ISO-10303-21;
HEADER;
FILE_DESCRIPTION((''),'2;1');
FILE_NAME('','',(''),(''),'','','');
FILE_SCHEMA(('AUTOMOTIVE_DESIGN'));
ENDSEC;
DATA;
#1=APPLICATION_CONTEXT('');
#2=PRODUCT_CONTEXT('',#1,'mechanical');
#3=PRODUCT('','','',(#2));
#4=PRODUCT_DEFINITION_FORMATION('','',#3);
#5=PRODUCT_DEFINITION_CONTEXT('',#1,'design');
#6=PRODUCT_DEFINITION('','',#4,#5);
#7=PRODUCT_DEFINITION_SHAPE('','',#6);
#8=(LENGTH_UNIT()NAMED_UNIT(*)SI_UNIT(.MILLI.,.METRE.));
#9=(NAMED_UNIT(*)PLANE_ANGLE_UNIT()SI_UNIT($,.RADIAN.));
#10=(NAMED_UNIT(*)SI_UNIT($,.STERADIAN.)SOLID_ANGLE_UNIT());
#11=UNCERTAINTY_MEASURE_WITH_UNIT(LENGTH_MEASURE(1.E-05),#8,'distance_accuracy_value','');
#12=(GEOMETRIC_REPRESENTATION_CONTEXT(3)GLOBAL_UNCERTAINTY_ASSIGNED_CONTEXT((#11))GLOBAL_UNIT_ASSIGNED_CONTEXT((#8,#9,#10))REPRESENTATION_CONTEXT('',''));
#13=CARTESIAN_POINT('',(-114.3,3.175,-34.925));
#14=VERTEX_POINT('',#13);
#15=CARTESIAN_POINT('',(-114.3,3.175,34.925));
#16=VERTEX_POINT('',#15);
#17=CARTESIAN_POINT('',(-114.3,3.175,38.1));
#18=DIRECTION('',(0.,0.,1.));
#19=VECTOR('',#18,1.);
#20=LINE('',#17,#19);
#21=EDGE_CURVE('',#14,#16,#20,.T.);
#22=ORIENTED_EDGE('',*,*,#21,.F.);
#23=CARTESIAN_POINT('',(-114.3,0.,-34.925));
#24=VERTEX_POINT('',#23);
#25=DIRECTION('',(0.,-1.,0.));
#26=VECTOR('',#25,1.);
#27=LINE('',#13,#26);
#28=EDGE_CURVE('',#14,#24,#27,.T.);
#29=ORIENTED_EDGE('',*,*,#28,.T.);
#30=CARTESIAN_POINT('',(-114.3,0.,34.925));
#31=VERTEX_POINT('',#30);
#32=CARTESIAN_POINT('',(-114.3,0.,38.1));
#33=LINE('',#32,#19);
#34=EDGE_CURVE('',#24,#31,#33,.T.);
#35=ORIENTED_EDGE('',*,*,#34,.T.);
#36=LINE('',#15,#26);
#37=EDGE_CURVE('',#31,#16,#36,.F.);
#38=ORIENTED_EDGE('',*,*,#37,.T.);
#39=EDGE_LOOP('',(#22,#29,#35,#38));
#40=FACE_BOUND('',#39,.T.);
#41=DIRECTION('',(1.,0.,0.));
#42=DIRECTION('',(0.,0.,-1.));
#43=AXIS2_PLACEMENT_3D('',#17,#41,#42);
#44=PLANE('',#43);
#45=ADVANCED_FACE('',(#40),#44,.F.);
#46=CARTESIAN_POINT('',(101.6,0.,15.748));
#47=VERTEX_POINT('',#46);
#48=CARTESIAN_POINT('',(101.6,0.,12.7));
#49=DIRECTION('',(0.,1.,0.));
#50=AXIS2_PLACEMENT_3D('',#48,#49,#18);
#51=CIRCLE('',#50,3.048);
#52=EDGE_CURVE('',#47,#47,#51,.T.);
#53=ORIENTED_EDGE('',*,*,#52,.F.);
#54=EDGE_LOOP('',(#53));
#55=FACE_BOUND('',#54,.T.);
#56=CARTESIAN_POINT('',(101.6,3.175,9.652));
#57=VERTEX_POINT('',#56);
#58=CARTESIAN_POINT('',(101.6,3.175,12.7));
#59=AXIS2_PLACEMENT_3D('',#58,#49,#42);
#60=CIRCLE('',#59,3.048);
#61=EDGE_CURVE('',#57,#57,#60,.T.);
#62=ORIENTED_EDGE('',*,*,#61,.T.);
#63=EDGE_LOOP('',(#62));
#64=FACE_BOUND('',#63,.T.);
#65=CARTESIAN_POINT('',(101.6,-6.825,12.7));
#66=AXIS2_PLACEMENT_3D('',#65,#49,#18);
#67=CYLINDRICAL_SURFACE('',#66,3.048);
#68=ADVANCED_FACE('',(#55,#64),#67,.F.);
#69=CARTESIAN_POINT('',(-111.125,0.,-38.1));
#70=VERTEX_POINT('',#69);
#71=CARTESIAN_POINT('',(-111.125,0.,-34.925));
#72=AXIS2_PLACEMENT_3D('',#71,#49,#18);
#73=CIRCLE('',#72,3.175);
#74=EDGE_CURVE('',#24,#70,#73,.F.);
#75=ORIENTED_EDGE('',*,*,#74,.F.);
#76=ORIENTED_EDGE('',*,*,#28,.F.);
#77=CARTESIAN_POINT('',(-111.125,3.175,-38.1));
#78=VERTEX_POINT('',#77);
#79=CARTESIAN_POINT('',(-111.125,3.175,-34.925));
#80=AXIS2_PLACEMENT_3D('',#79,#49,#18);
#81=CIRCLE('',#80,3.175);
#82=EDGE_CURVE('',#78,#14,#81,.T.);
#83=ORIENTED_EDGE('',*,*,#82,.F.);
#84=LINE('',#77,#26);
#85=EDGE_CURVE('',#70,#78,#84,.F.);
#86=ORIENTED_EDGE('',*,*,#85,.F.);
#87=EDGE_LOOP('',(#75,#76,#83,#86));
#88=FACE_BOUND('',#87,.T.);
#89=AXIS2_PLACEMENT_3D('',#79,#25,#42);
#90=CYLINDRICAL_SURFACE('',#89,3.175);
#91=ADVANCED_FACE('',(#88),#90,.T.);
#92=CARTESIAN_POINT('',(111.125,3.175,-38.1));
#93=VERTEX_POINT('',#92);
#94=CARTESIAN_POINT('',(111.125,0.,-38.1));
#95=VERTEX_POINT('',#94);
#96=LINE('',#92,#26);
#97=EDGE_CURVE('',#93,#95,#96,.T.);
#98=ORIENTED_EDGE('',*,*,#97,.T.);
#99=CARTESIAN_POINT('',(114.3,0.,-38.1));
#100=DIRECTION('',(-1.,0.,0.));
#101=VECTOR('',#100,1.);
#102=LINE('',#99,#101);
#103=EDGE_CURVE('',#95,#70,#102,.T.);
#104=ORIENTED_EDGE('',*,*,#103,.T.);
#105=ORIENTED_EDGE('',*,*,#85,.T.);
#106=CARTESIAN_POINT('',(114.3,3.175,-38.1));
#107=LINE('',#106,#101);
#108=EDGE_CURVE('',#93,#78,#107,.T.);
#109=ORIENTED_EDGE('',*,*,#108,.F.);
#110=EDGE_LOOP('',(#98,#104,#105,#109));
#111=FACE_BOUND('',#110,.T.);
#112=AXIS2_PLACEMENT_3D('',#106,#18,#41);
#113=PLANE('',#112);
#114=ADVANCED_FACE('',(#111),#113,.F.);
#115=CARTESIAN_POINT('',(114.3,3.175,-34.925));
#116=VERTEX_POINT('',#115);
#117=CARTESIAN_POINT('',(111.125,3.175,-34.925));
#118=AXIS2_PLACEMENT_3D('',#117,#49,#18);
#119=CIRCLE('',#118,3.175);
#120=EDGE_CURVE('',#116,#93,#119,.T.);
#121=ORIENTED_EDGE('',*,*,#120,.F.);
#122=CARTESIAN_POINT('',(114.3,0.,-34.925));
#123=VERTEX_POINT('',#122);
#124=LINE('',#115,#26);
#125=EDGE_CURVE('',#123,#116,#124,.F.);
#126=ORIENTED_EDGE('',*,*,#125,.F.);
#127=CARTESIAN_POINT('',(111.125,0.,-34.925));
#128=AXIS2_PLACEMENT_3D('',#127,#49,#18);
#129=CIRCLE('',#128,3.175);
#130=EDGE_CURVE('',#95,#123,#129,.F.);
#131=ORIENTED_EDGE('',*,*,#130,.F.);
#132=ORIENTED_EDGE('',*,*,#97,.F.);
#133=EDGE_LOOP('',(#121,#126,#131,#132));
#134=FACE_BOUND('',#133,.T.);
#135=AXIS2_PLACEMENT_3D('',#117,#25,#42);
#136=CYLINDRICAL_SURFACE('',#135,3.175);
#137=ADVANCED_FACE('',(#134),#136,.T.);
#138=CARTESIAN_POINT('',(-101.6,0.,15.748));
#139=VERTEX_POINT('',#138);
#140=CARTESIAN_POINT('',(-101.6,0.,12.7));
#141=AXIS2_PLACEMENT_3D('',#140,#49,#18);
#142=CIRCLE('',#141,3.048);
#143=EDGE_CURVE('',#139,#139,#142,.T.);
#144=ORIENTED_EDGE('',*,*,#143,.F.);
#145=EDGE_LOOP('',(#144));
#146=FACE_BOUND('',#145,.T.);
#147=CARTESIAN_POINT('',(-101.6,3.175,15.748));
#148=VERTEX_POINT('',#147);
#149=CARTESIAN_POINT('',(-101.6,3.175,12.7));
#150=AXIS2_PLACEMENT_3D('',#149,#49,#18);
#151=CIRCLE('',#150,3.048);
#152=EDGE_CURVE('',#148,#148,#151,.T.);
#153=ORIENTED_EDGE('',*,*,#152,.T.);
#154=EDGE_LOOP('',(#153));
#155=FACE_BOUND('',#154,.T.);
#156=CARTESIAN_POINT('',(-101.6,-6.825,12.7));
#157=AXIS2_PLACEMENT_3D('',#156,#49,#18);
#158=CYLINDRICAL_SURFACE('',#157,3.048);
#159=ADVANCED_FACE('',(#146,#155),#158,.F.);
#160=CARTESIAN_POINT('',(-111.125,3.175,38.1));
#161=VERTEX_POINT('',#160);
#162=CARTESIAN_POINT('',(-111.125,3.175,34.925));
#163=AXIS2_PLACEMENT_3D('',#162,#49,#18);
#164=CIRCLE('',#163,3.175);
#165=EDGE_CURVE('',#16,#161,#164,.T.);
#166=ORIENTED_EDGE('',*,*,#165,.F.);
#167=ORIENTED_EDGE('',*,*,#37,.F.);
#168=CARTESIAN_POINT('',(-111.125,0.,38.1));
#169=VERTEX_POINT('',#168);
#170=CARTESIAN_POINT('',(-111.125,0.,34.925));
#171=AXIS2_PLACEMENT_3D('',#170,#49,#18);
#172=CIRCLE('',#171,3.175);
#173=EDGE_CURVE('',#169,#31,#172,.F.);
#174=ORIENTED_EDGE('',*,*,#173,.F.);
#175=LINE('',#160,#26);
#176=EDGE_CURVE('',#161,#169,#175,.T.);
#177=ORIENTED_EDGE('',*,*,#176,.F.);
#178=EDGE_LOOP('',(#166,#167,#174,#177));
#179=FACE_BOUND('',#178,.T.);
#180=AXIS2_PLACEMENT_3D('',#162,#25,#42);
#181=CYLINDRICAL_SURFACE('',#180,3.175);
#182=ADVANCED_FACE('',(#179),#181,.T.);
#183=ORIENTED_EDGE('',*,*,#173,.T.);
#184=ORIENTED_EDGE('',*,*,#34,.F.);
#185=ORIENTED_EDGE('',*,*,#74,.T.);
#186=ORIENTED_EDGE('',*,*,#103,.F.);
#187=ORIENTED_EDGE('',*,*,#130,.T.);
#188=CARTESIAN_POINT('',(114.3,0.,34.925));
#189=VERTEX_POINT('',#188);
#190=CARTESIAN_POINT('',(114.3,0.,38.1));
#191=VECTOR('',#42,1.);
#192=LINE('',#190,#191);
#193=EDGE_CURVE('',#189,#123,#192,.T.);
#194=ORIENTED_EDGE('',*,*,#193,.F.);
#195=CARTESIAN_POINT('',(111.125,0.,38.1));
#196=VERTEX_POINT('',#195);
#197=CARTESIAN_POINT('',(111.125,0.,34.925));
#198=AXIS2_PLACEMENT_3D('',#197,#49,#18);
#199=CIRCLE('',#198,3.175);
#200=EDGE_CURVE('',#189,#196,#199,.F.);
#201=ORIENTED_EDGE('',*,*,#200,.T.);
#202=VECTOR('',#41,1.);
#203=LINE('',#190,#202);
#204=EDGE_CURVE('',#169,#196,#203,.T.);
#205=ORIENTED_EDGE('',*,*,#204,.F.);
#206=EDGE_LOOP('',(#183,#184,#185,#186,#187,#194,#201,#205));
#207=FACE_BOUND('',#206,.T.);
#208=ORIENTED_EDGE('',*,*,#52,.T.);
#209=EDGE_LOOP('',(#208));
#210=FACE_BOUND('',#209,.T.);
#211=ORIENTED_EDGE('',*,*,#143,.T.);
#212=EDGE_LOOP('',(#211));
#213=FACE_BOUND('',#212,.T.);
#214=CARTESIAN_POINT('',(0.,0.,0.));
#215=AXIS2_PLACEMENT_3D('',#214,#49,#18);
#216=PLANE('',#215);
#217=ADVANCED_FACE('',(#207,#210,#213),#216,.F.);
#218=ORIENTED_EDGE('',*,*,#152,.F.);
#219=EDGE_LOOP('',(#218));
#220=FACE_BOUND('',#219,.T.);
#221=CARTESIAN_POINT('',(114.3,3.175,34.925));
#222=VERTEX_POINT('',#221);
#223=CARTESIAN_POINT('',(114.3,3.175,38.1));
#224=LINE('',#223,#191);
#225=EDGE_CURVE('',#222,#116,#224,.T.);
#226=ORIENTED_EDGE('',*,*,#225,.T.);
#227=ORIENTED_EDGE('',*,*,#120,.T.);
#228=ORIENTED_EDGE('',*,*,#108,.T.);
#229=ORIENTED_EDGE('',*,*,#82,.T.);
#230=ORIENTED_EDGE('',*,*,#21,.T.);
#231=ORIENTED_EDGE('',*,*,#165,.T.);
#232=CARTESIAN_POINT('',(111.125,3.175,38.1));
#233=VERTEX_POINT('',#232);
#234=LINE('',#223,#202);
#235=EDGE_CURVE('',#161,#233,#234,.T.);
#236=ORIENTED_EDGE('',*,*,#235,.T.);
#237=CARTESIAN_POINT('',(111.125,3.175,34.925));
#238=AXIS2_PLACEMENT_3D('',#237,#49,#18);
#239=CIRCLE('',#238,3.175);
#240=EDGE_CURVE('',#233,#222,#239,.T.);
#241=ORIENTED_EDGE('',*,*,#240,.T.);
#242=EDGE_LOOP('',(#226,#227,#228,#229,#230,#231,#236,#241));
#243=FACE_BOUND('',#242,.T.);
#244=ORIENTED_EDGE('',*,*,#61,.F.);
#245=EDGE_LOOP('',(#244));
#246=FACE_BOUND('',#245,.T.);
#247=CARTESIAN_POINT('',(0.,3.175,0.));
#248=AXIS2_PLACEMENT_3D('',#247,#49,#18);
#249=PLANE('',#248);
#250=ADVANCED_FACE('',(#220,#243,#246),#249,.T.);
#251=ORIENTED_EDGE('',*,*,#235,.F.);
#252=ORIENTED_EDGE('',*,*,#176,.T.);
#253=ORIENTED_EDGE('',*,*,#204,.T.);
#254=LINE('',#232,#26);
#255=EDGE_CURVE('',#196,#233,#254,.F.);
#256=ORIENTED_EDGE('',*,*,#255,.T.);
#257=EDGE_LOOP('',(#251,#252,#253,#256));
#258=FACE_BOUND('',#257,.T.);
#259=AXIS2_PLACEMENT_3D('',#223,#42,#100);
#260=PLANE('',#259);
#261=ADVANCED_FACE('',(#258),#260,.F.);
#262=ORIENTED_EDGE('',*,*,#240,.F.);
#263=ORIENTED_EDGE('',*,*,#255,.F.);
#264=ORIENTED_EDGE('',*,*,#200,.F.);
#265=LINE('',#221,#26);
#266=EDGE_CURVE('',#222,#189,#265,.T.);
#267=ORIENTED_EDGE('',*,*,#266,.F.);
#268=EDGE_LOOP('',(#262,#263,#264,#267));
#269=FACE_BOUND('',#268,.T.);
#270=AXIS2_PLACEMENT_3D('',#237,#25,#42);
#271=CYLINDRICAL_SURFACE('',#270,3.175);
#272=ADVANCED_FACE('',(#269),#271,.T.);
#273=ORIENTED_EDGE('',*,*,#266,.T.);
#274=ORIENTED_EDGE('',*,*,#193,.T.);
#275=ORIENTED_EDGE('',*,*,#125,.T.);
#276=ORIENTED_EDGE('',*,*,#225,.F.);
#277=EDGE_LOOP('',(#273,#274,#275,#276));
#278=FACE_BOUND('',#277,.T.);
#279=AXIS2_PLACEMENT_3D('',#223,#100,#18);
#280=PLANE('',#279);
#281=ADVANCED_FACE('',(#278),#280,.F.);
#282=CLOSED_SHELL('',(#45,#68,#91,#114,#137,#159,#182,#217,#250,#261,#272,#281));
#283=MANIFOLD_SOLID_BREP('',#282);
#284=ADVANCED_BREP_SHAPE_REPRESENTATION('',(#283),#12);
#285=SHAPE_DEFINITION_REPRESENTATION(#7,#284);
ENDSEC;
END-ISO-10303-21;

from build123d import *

# Parameters (mm, degrees)
SKETCH1_W           = 228.6
SKETCH1_H           = 76.2
BOSS_EXTRUDE1_DEPTH = 3.175
SKETCH2_R           = 3.048
CUT_EXTRUDE1_DEPTH  = 10
FILLET1_R           = 3.175


with BuildPart() as part:
    # Sketch1 → Boss-Extrude1 (new body)
    with BuildSketch(Plane(origin=(0, 0, 0), x_dir=(1, 0, 0), z_dir=(0, 1, 0))):
        Rectangle(SKETCH1_W, SKETCH1_H)
    extrude(amount=BOSS_EXTRUDE1_DEPTH)

    # Sketch2 → Cut-Extrude1 (cut)
    with BuildSketch(Plane(origin=(0, 3.175, 0), x_dir=(1, 0, 0), z_dir=(0, 1, 0))):
        with Locations(Location((-101.6, -12.7, 0), (0, 0, 270))):
            Circle(SKETCH2_R)
        with Locations(Location((101.6, -12.7, 0), (0, 0, 270))):
            Circle(SKETCH2_R)
    extrude(amount=-CUT_EXTRUDE1_DEPTH, mode=Mode.SUBTRACT)

    # Fillet1
    fillet1_edges = [part.edges().sort_by_distance(p)[0] for p in [
        (-114.3, 1.5875, -38.1),
        (114.3, 1.5875, -38.1),
        (114.3, 1.5875, 38.1),
        (-114.3, 1.5875, 38.1),
    ]]
    fillet(fillet1_edges, radius=FILLET1_R)


solid = part.part
